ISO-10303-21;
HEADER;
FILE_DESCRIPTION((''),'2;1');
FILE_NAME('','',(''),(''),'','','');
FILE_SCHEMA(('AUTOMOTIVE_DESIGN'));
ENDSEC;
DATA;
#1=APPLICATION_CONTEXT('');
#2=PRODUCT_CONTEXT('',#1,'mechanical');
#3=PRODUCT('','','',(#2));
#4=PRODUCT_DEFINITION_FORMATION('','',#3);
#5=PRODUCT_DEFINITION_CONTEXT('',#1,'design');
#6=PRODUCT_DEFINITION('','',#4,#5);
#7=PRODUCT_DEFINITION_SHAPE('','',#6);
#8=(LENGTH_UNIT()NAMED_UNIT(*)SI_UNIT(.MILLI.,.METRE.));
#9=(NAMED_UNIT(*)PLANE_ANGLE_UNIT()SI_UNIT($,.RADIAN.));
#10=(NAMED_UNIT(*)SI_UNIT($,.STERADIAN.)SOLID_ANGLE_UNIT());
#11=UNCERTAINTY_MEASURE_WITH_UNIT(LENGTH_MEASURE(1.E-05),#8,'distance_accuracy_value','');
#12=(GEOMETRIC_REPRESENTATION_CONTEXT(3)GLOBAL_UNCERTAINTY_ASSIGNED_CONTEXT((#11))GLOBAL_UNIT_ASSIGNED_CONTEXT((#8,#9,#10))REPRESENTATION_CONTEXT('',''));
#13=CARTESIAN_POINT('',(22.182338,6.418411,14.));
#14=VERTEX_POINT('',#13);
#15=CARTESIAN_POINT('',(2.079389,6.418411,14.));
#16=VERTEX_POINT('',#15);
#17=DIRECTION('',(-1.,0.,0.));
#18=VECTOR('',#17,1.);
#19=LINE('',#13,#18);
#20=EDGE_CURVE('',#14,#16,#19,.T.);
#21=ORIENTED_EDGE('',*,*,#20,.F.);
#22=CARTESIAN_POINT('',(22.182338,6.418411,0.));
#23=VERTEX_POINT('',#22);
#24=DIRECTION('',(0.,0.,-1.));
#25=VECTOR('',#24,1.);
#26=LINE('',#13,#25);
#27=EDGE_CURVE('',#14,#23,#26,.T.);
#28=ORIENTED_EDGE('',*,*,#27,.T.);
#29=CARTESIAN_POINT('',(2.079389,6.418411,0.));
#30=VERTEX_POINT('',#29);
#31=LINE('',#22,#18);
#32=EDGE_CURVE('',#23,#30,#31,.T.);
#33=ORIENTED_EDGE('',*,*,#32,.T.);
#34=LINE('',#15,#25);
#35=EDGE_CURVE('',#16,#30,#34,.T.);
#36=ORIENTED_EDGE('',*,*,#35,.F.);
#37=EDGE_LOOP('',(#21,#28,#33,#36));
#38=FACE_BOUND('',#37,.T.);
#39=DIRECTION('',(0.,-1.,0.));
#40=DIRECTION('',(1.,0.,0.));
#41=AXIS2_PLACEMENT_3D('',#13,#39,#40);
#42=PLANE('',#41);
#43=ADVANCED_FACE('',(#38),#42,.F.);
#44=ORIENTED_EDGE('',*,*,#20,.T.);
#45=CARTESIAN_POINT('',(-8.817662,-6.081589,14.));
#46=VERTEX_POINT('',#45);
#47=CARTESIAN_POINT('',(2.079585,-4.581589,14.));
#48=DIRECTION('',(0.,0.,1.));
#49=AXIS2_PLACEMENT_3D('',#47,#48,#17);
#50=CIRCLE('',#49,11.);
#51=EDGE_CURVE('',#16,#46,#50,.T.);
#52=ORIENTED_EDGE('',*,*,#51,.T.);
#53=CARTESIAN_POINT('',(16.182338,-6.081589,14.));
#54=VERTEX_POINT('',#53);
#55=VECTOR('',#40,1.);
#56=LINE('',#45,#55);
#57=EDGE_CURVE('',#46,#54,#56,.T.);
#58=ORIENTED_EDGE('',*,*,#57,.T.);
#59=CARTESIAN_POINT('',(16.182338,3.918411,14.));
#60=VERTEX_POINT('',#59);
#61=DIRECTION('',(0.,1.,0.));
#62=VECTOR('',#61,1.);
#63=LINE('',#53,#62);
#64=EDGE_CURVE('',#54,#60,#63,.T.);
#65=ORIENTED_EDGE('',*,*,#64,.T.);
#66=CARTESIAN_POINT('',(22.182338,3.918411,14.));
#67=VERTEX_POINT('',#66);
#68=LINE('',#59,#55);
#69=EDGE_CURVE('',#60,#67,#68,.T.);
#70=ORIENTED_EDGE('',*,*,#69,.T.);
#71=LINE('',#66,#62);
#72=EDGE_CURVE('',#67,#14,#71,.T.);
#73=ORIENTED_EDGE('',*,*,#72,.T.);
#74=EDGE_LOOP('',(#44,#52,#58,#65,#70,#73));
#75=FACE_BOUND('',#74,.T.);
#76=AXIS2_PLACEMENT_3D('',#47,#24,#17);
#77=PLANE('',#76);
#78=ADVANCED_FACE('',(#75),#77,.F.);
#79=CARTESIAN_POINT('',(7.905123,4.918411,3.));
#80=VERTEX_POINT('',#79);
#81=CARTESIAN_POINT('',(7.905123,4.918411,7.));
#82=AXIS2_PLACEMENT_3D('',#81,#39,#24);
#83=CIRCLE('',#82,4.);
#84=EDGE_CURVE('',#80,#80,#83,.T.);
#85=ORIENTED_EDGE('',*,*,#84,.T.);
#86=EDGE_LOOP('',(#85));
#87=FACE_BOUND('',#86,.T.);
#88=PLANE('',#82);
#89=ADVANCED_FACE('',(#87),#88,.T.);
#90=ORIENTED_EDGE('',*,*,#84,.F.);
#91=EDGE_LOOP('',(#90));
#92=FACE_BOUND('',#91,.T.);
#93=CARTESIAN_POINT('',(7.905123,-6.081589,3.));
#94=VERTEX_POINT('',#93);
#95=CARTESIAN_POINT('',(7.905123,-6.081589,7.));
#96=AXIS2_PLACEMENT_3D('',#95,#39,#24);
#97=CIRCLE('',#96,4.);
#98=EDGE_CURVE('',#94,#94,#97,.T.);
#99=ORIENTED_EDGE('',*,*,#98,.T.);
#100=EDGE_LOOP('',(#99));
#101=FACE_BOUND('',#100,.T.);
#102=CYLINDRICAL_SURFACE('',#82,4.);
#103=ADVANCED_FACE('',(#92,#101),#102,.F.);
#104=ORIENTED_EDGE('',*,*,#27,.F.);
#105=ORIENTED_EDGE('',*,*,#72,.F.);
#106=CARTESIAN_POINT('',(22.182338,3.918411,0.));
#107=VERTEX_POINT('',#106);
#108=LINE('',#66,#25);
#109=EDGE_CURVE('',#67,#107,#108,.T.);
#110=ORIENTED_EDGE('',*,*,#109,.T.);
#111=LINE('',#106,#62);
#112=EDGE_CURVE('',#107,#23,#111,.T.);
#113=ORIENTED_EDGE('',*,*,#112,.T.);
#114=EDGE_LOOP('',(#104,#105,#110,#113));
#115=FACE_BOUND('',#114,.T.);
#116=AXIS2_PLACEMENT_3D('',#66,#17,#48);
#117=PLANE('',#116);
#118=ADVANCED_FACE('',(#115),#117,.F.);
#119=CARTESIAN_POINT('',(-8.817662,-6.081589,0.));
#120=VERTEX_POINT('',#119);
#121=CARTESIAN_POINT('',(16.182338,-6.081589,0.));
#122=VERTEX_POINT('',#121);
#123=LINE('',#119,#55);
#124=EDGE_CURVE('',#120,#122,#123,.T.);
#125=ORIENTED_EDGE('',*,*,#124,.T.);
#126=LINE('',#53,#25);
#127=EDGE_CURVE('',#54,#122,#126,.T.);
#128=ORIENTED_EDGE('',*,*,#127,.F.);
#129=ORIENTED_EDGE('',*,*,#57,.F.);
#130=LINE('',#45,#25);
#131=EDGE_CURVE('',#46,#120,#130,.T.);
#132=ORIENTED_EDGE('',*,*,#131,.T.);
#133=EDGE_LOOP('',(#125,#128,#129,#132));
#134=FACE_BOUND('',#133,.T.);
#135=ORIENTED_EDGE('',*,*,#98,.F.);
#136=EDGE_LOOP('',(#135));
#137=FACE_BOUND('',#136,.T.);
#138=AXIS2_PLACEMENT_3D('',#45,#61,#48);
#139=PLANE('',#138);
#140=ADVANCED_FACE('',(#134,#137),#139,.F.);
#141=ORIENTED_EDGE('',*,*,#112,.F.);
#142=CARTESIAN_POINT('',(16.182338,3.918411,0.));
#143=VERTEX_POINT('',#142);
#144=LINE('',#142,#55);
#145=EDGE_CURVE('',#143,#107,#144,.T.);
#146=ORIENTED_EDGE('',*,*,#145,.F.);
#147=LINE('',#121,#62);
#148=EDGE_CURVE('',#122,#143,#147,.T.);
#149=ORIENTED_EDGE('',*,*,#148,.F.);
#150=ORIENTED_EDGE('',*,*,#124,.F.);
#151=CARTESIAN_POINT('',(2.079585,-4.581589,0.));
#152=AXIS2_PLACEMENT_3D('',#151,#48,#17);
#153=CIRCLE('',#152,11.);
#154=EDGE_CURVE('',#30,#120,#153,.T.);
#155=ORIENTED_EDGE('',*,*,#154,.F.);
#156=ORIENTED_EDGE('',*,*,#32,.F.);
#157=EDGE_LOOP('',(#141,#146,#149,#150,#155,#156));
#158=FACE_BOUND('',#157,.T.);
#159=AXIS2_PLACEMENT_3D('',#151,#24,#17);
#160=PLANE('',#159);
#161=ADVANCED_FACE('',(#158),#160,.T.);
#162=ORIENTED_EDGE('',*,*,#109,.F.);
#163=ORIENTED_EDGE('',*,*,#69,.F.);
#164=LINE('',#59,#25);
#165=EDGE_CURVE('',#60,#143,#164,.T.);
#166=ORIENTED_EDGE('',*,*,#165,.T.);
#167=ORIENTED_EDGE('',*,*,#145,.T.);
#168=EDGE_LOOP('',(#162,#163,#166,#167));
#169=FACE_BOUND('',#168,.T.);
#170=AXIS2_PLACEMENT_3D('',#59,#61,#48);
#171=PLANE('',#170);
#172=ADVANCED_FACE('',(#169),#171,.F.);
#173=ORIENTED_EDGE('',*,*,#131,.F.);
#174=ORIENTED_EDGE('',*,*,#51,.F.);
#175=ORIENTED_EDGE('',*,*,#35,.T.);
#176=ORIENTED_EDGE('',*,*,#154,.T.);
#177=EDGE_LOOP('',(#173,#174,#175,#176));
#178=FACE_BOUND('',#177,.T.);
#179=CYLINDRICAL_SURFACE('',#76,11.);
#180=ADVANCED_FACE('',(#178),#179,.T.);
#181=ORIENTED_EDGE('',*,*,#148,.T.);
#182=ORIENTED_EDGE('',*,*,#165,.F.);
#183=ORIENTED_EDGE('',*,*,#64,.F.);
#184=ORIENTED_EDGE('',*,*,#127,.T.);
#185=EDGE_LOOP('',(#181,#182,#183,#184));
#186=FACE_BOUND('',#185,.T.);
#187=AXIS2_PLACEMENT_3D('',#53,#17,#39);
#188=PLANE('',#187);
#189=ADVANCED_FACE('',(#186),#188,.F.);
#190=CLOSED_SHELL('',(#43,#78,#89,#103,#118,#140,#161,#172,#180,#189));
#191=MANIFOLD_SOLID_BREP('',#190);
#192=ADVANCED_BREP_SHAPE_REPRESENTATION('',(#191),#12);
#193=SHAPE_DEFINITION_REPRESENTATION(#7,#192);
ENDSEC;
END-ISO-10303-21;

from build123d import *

# Parameters (mm, degrees)
BOSS_EXTRUDE1_DEPTH = 14
SKETCH2_R           = 4
CUT_EXTRUDE1_DEPTH  = 11


with BuildPart() as part:
    # Sketch1 → Boss-Extrude1 (new body)
    with BuildSketch(Plane.XY):
        with BuildLine():
            Line((-8.817662135, -6.081589164), (16.182337865, -6.081589164))
            Line((16.182337865, -6.081589164), (16.182337865, 3.918410836))
            Line((16.182337865, 3.918410836), (22.182337865, 3.918410836))
            Line((22.182337865, 3.918410836), (22.182337865, 6.418410836))
            Line((22.182337865, 6.418410836), (2.079389137, 6.418410836))
            ThreePointArc((2.079389137, 6.418410836), (-6.21204118, 2.646753081), (-8.817662135, -6.081589164))
        make_face()
    extrude(amount=BOSS_EXTRUDE1_DEPTH)

    # Sketch2 → Cut-Extrude1 (cut)
    with BuildSketch(Plane.XZ.offset(6.081589164)):
        with Locations(Location((7.905122548, 7, 0), (0, 0, 270))):
            Circle(SKETCH2_R)
    extrude(amount=-CUT_EXTRUDE1_DEPTH, mode=Mode.SUBTRACT)


solid = part.part
